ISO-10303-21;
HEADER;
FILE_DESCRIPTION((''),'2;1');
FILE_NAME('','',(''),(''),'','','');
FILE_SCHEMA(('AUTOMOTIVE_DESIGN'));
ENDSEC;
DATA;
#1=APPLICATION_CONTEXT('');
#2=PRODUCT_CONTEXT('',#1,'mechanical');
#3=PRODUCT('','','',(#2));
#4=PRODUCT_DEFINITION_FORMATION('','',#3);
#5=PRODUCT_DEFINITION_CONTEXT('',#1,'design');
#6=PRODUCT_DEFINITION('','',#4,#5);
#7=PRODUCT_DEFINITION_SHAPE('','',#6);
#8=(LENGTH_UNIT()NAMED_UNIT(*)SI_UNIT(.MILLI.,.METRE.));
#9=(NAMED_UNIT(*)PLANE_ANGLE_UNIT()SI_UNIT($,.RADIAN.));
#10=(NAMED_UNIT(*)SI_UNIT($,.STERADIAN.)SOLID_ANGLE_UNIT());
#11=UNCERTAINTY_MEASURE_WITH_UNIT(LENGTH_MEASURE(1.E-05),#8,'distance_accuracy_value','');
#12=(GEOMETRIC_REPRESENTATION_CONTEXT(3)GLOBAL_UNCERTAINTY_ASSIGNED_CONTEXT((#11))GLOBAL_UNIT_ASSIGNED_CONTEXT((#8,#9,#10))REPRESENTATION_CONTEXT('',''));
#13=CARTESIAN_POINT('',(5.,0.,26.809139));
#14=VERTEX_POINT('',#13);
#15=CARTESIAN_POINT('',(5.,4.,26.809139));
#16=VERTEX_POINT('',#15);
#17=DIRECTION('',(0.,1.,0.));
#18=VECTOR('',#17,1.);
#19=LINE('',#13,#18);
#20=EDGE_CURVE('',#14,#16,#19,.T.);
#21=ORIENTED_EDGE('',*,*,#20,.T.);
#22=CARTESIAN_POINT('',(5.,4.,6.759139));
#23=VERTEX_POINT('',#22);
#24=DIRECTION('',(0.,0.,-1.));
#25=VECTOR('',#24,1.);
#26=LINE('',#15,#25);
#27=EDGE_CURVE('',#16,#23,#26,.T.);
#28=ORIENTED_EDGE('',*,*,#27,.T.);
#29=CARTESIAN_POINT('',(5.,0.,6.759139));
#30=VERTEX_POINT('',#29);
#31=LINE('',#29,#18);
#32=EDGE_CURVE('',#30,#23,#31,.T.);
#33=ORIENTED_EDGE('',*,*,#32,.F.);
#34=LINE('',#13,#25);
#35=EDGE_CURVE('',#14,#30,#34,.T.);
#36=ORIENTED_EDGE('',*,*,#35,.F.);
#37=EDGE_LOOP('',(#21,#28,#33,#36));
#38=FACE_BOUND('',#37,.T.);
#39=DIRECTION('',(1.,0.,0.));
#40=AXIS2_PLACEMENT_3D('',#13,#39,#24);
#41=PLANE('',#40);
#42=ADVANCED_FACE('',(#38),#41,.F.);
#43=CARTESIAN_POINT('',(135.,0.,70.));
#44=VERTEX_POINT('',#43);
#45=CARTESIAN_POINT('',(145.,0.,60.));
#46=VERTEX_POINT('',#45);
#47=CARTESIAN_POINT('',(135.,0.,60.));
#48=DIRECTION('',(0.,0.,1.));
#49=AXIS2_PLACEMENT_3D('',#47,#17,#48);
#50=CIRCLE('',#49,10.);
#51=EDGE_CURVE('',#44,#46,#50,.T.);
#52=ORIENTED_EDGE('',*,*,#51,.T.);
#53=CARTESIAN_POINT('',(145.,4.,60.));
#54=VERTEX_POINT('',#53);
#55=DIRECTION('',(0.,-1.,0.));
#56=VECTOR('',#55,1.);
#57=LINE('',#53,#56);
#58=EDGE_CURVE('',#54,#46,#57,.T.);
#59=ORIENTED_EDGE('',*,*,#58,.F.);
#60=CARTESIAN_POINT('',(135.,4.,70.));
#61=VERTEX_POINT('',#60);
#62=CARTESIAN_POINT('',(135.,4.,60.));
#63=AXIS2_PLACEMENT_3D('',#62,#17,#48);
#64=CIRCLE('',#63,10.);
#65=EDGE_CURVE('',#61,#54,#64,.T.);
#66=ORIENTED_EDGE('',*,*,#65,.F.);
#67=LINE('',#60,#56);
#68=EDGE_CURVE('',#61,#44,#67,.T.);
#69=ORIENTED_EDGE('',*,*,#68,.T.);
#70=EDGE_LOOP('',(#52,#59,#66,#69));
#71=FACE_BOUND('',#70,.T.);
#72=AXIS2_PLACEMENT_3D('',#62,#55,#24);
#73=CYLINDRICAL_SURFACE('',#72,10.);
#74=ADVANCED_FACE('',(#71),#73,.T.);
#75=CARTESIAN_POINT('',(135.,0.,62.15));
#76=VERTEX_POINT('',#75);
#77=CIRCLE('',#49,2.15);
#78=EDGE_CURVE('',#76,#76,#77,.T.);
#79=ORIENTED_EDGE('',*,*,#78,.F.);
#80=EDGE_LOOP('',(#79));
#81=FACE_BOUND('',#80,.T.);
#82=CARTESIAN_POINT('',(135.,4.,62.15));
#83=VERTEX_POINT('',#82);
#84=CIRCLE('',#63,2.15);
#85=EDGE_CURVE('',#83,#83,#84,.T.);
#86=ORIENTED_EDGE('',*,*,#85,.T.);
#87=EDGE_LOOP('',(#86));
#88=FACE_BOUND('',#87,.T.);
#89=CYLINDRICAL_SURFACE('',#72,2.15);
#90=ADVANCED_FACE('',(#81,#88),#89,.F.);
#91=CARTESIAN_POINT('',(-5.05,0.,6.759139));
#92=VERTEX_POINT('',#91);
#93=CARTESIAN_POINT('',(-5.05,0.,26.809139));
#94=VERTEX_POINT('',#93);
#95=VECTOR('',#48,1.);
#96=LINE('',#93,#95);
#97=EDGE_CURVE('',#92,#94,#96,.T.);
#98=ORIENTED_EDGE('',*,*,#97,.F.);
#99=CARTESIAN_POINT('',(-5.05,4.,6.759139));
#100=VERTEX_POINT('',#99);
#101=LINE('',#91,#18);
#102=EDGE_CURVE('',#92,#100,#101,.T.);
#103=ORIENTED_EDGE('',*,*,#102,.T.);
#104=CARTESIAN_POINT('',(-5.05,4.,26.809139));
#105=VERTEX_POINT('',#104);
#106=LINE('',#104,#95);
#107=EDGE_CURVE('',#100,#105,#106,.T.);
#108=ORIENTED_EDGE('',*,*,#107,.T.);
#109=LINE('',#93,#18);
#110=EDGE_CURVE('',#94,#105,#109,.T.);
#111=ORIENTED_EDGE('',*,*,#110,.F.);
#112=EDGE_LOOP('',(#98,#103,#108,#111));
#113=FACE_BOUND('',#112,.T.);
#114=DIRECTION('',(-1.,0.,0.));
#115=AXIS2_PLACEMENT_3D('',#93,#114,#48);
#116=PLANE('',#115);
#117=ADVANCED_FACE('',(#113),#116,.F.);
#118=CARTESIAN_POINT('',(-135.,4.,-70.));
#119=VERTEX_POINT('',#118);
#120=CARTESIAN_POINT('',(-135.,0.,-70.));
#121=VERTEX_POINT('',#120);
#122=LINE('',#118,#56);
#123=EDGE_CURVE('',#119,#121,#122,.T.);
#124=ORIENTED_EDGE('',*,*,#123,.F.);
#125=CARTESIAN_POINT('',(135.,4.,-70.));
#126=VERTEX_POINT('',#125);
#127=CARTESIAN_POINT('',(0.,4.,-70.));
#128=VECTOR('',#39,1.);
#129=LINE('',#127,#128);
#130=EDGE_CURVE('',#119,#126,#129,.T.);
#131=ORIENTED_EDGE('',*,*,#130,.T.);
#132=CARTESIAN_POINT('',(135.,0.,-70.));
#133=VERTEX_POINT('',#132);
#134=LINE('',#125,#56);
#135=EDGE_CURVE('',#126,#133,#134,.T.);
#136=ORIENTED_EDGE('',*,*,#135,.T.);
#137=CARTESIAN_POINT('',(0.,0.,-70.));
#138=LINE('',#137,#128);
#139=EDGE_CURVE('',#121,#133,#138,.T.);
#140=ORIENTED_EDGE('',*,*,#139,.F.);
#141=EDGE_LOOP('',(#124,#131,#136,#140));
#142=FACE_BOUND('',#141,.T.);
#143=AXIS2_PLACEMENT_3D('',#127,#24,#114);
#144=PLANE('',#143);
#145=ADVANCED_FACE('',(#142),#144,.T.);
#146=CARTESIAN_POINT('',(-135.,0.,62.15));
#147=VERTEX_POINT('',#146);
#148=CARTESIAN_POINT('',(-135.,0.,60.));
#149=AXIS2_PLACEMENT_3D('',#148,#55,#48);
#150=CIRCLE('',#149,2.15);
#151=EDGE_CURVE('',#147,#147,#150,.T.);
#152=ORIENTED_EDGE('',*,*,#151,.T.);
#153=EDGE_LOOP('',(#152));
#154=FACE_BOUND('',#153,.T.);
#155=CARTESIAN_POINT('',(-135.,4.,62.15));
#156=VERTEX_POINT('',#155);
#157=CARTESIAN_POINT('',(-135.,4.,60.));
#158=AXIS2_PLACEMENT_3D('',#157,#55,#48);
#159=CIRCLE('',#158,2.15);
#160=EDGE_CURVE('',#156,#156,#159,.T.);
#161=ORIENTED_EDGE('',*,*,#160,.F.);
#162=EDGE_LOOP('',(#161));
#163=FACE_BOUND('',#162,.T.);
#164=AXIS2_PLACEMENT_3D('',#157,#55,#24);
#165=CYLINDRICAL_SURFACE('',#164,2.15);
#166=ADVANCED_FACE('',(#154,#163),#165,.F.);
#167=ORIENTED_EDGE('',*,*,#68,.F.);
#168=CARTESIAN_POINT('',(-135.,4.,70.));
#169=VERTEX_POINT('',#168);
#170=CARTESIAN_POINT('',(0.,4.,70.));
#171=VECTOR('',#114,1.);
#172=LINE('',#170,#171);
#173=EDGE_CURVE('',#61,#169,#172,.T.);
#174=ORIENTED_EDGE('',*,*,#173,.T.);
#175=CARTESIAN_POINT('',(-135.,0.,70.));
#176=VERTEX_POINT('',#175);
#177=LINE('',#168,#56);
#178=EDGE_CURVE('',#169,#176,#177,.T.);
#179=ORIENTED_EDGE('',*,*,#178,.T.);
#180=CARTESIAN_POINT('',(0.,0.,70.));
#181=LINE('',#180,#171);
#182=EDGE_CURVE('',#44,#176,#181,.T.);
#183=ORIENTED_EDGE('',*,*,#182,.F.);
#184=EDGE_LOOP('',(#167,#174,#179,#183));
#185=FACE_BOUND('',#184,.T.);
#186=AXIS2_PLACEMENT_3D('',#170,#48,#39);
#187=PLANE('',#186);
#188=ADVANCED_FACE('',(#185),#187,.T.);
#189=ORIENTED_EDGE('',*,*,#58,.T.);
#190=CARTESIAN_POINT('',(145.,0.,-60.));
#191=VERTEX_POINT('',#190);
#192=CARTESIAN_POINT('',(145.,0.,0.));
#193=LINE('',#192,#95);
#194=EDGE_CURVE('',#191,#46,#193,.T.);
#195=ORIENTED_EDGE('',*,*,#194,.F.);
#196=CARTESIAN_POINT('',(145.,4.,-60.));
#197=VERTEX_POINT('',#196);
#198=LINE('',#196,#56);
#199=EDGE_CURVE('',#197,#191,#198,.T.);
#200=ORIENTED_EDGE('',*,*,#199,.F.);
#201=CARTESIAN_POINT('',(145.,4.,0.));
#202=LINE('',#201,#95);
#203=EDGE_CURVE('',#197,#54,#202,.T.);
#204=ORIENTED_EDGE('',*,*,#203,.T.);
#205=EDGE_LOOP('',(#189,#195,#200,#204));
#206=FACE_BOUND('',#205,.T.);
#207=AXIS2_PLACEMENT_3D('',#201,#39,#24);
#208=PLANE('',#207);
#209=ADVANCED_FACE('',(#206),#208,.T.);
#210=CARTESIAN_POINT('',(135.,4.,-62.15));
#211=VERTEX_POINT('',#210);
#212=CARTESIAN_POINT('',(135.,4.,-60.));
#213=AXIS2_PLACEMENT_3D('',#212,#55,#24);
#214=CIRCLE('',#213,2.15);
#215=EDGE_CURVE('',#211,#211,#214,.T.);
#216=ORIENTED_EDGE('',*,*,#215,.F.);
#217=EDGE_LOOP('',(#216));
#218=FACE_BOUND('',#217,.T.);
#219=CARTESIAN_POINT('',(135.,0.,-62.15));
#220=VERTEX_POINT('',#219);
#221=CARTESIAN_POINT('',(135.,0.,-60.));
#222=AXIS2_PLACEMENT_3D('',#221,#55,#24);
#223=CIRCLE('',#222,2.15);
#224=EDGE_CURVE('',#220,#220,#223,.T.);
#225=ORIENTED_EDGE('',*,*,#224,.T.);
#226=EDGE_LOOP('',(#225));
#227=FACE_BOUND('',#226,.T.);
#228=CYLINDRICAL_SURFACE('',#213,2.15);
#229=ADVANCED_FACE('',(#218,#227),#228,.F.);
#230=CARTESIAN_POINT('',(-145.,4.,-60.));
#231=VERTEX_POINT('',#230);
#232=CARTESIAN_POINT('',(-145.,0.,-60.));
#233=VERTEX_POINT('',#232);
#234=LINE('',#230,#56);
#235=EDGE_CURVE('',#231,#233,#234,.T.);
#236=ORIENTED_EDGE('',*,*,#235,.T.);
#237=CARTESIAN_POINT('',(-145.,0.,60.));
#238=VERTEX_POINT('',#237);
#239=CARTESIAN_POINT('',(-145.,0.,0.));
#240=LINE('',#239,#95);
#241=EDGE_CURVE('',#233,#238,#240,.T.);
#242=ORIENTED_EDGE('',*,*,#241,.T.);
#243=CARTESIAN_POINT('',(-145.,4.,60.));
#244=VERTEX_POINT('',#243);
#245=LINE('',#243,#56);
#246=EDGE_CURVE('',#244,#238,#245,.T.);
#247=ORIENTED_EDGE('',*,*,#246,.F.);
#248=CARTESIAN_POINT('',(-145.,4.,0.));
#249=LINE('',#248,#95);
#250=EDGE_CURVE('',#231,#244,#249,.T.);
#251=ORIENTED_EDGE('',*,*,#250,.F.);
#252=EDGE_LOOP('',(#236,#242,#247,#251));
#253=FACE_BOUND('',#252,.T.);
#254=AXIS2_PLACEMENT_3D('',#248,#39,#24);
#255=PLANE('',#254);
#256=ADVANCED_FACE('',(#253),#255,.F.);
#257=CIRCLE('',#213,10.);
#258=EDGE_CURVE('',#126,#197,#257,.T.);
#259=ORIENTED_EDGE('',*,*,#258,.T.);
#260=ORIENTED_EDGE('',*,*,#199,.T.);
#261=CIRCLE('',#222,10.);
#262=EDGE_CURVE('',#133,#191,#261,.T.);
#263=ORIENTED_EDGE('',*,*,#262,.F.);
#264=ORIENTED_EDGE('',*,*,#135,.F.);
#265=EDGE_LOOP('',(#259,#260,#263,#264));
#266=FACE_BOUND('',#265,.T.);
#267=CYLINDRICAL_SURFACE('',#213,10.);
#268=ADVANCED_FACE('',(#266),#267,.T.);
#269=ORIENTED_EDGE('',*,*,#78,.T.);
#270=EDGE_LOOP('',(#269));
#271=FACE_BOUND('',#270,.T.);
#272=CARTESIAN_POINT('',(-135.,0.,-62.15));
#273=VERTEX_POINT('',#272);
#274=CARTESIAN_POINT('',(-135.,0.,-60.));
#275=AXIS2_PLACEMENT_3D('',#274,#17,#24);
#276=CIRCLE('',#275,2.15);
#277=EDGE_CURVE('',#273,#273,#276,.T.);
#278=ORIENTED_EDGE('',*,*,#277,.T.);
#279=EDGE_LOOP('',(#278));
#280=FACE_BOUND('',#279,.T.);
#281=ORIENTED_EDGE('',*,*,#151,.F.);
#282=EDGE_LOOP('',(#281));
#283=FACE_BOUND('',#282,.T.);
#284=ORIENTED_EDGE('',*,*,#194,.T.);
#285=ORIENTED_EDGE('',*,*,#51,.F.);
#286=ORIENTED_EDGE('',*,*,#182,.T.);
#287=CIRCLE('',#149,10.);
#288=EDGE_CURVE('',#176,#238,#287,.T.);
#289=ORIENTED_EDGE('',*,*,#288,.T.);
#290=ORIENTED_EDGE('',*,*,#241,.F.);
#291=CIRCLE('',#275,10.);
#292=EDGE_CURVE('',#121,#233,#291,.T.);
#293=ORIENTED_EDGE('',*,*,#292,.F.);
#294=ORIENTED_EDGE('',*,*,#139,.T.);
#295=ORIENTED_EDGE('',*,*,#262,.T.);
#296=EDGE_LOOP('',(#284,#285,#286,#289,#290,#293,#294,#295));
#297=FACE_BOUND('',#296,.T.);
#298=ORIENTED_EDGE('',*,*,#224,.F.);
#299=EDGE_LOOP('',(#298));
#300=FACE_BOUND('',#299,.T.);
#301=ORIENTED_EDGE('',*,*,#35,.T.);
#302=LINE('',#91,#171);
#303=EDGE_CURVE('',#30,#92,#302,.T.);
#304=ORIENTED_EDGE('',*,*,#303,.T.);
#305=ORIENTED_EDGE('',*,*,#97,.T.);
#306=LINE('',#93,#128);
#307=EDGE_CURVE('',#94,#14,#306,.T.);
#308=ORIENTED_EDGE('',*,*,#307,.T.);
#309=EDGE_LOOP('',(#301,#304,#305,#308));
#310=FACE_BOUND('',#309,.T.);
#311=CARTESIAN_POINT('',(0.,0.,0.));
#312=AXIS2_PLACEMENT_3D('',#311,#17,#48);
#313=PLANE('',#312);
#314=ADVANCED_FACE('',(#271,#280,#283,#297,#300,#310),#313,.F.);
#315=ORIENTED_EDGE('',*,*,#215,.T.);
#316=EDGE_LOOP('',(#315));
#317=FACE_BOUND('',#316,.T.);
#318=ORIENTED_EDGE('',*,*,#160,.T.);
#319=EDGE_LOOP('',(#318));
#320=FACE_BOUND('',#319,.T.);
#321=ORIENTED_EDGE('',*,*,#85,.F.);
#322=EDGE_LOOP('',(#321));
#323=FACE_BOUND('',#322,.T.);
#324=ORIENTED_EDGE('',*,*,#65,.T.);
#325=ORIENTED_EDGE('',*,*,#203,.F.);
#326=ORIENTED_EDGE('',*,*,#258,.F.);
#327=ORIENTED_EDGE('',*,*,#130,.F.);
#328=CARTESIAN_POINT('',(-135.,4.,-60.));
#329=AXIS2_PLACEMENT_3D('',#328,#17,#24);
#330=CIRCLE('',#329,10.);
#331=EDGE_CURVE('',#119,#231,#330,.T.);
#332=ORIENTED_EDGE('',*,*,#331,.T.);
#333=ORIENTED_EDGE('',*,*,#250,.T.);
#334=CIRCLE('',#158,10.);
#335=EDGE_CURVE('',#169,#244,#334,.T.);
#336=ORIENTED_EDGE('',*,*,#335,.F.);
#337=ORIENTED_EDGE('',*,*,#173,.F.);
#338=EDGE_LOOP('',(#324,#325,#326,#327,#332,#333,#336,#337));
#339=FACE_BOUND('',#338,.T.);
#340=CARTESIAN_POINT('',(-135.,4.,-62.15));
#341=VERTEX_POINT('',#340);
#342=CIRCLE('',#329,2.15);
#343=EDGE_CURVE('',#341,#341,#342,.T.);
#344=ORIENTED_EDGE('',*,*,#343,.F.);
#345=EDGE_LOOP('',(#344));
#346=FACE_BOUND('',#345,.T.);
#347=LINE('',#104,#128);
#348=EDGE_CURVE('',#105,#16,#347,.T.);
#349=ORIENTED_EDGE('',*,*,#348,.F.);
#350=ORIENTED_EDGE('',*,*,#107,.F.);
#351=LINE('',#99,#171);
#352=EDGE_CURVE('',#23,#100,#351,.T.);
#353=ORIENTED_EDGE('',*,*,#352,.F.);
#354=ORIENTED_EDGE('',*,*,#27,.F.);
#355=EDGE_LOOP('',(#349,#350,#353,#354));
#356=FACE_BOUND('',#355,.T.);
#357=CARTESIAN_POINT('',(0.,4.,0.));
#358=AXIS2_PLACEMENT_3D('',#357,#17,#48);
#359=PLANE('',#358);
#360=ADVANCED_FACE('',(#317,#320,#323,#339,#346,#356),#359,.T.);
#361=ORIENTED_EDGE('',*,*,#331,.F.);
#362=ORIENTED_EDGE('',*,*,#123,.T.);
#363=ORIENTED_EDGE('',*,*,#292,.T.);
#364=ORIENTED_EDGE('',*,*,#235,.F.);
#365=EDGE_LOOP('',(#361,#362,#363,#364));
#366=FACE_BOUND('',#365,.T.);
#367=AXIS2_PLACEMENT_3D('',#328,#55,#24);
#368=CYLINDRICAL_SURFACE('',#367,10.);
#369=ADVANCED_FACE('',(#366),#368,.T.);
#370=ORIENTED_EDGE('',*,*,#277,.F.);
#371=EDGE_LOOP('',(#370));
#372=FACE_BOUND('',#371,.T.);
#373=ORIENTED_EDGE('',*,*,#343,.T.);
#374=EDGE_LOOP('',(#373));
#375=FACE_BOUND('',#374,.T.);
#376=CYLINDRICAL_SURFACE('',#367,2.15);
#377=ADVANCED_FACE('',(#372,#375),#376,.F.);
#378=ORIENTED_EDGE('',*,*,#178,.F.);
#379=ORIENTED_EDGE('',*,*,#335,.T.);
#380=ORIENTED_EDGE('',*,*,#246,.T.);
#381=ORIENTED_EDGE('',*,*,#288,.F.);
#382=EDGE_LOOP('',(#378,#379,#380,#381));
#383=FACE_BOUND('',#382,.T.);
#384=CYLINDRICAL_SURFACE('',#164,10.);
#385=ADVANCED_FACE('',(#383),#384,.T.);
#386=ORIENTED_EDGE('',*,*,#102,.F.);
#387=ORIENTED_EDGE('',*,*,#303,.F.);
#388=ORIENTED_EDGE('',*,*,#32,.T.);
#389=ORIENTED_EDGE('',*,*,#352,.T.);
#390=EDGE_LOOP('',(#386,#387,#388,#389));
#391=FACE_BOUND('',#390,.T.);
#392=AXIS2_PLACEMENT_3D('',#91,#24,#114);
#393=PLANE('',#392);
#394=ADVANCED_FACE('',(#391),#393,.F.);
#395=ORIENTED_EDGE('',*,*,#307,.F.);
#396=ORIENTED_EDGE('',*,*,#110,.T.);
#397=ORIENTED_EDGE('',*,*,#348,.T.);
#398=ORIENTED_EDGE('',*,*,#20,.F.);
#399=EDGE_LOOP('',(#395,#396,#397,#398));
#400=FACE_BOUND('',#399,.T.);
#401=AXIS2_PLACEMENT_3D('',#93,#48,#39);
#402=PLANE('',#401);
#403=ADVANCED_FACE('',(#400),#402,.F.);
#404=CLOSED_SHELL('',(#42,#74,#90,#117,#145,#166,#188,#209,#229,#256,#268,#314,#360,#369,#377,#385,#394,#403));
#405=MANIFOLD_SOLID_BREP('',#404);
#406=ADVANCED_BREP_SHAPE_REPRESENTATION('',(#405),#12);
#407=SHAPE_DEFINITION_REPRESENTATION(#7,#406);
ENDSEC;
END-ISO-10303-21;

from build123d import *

# Parameters (mm, degrees)
SKETCH1_R               = 2.15
BOSS_EXTRUDE1_DEPTH     = 4
MIRROR2_COPY_1_SKETCH_R = 2.15
MIRROR2_COPY_1_DEPTH    = 4
SKETCH2_W               = 10.05
SKETCH2_H               = 20.05
CUT_EXTRUDE5_DEPTH      = 162.062099825


with BuildPart() as part:
    # Sketch1 → Boss-Extrude1 (new body)
    with BuildSketch(Plane(origin=(0, 0, 0), x_dir=(1, 0, 0), z_dir=(0, 1, 0))):
        with BuildLine():
            Line((135, -70), (0, -70))
            Line((0, -70), (0, 0))
            Line((0, 0), (145, 0))
            Line((145, 0), (145, -60))
            ThreePointArc((145, -60), (142.071067812, -67.071067812), (135, -70))
        make_face()
        with Locations(Location((135, -60, 0), (0, 0, 270))):
            Circle(SKETCH1_R, mode=Mode.SUBTRACT)
    boss_extrude1 = extrude(amount=BOSS_EXTRUDE1_DEPTH)

    # Mirror1: Boss-Extrude1 across plane
    add(boss_extrude1.mirror(Plane(origin=(0, 0, 0), x_dir=(0, 0, 1), z_dir=(1, 0, 0))))

    # Mirror2: Boss-Extrude1 across plane
    add(boss_extrude1.mirror(Plane.XY))

    # Mirror2 copy 1 sketch → Mirror2 copy 1 (add)
    with BuildSketch(Plane(origin=(0, 0, 0), x_dir=(-1, 0, 0), z_dir=(0, 1, 0))):
        with BuildLine():
            Line((135, -70), (0, -70))
            Line((0, -70), (0, 0))
            Line((0, 0), (145, 0))
            Line((145, 0), (145, -60))
            ThreePointArc((145, -60), (142.071067812, -67.071067812), (135, -70))
        make_face()
        with Locations(Location((135, -60, 0), (0, 0, 270))):
            Circle(MIRROR2_COPY_1_SKETCH_R, mode=Mode.SUBTRACT)
    extrude(amount=MIRROR2_COPY_1_DEPTH)

    # Sketch2 → Cut-Extrude5 (cut, through all)
    with BuildSketch(Plane(origin=(0, 4, 0), x_dir=(1, 0, 0), z_dir=(0, 1, 0))):
        with Locations((-0.025, -16.784138883)):
            Rectangle(SKETCH2_W, SKETCH2_H)
    extrude(amount=-CUT_EXTRUDE5_DEPTH, mode=Mode.SUBTRACT)


solid = part.part
